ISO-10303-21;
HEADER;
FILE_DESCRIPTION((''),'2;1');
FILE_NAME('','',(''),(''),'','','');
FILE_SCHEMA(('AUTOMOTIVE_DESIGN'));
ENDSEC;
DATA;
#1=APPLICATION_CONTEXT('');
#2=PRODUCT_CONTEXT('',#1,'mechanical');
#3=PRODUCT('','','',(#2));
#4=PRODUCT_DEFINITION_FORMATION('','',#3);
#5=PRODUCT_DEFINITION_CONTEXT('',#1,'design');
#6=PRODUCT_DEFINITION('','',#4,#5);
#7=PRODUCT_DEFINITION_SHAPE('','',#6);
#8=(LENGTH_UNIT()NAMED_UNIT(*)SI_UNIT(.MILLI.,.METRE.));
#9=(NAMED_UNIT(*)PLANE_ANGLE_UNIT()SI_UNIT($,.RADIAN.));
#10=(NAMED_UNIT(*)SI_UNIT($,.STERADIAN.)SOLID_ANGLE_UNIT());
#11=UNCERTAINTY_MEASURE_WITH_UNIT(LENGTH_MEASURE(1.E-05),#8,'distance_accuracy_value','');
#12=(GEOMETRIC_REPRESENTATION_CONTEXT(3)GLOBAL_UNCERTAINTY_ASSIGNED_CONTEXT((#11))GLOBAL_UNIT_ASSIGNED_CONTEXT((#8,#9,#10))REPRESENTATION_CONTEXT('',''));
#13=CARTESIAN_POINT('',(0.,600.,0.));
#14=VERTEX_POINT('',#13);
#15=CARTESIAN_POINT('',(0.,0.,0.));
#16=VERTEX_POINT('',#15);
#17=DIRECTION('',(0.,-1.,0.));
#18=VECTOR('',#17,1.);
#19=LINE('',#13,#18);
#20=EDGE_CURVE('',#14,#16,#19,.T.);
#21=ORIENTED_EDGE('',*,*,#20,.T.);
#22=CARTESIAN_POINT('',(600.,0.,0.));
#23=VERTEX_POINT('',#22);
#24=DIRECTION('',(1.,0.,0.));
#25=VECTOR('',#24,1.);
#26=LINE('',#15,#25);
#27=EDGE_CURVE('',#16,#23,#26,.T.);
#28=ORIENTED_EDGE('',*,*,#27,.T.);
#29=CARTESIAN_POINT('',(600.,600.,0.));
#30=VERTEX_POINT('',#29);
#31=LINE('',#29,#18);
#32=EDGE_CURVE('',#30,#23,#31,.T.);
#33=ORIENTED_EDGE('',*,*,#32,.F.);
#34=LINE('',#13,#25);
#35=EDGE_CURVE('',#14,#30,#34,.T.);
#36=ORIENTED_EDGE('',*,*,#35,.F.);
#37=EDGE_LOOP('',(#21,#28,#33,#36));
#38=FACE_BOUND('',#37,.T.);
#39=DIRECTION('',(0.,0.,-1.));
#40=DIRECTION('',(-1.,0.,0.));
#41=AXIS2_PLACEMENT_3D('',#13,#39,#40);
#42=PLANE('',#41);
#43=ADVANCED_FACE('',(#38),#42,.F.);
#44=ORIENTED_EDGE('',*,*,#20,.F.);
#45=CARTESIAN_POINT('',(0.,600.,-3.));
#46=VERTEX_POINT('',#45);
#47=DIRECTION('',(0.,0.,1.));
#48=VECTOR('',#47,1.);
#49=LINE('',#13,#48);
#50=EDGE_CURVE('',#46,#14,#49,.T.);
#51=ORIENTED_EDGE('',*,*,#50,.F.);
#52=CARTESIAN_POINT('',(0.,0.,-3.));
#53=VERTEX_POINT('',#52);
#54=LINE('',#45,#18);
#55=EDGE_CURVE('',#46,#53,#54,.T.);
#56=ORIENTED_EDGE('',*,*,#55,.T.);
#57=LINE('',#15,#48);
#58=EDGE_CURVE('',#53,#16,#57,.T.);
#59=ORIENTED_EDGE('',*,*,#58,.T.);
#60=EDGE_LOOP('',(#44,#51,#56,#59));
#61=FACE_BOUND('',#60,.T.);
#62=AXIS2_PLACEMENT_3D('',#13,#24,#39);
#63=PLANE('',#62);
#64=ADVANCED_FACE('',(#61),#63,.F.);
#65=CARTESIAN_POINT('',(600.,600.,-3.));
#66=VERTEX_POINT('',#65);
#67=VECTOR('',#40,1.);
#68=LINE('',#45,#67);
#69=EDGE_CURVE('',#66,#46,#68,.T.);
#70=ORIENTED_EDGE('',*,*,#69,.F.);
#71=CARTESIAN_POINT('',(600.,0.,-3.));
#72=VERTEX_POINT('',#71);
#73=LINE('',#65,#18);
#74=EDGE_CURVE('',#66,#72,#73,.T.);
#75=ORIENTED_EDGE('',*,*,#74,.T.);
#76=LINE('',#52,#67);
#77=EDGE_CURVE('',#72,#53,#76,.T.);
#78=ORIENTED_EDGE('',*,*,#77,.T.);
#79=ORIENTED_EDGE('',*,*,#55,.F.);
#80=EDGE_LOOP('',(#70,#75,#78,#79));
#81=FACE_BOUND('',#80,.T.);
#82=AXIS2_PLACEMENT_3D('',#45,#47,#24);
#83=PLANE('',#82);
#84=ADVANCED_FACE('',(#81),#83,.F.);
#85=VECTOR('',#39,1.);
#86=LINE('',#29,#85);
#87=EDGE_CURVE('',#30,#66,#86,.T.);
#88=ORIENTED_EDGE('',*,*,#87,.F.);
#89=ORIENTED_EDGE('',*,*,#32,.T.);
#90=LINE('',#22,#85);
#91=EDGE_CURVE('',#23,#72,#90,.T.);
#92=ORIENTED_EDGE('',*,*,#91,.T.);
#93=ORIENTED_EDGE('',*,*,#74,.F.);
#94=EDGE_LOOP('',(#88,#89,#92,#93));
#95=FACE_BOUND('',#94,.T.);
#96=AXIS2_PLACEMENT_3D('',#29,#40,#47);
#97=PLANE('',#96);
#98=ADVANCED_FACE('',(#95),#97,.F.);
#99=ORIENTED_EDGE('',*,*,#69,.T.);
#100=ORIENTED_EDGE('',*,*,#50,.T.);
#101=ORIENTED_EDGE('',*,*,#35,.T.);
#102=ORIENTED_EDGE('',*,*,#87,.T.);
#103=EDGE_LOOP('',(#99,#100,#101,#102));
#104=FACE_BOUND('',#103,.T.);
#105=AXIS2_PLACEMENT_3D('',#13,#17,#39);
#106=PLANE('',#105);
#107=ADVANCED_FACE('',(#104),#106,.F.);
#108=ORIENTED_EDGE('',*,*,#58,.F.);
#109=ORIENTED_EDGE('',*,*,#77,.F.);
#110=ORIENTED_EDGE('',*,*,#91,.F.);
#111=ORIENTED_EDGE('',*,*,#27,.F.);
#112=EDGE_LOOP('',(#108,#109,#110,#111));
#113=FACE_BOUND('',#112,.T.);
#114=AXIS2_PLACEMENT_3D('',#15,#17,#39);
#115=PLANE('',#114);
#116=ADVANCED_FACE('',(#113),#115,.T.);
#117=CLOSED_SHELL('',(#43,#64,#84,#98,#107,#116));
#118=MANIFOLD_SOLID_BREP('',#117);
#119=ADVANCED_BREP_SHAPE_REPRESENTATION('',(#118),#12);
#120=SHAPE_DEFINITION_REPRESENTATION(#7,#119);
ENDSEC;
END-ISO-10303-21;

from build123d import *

# Parameters (mm, degrees)
SKETCH_1_W      = 600
SKETCH_1_H      = 3
EXTRUDE_1_DEPTH = 600


with BuildPart() as part:
    # 스케치1 → 보스-돌출1 (new body)
    with BuildSketch(Plane(origin=(0, 0, 0), x_dir=(1, 0, 0), z_dir=(0, 1, 0))):
        with Locations((300, 1.5)):
            Rectangle(SKETCH_1_W, SKETCH_1_H)
    extrude(amount=EXTRUDE_1_DEPTH)


solid = part.part
